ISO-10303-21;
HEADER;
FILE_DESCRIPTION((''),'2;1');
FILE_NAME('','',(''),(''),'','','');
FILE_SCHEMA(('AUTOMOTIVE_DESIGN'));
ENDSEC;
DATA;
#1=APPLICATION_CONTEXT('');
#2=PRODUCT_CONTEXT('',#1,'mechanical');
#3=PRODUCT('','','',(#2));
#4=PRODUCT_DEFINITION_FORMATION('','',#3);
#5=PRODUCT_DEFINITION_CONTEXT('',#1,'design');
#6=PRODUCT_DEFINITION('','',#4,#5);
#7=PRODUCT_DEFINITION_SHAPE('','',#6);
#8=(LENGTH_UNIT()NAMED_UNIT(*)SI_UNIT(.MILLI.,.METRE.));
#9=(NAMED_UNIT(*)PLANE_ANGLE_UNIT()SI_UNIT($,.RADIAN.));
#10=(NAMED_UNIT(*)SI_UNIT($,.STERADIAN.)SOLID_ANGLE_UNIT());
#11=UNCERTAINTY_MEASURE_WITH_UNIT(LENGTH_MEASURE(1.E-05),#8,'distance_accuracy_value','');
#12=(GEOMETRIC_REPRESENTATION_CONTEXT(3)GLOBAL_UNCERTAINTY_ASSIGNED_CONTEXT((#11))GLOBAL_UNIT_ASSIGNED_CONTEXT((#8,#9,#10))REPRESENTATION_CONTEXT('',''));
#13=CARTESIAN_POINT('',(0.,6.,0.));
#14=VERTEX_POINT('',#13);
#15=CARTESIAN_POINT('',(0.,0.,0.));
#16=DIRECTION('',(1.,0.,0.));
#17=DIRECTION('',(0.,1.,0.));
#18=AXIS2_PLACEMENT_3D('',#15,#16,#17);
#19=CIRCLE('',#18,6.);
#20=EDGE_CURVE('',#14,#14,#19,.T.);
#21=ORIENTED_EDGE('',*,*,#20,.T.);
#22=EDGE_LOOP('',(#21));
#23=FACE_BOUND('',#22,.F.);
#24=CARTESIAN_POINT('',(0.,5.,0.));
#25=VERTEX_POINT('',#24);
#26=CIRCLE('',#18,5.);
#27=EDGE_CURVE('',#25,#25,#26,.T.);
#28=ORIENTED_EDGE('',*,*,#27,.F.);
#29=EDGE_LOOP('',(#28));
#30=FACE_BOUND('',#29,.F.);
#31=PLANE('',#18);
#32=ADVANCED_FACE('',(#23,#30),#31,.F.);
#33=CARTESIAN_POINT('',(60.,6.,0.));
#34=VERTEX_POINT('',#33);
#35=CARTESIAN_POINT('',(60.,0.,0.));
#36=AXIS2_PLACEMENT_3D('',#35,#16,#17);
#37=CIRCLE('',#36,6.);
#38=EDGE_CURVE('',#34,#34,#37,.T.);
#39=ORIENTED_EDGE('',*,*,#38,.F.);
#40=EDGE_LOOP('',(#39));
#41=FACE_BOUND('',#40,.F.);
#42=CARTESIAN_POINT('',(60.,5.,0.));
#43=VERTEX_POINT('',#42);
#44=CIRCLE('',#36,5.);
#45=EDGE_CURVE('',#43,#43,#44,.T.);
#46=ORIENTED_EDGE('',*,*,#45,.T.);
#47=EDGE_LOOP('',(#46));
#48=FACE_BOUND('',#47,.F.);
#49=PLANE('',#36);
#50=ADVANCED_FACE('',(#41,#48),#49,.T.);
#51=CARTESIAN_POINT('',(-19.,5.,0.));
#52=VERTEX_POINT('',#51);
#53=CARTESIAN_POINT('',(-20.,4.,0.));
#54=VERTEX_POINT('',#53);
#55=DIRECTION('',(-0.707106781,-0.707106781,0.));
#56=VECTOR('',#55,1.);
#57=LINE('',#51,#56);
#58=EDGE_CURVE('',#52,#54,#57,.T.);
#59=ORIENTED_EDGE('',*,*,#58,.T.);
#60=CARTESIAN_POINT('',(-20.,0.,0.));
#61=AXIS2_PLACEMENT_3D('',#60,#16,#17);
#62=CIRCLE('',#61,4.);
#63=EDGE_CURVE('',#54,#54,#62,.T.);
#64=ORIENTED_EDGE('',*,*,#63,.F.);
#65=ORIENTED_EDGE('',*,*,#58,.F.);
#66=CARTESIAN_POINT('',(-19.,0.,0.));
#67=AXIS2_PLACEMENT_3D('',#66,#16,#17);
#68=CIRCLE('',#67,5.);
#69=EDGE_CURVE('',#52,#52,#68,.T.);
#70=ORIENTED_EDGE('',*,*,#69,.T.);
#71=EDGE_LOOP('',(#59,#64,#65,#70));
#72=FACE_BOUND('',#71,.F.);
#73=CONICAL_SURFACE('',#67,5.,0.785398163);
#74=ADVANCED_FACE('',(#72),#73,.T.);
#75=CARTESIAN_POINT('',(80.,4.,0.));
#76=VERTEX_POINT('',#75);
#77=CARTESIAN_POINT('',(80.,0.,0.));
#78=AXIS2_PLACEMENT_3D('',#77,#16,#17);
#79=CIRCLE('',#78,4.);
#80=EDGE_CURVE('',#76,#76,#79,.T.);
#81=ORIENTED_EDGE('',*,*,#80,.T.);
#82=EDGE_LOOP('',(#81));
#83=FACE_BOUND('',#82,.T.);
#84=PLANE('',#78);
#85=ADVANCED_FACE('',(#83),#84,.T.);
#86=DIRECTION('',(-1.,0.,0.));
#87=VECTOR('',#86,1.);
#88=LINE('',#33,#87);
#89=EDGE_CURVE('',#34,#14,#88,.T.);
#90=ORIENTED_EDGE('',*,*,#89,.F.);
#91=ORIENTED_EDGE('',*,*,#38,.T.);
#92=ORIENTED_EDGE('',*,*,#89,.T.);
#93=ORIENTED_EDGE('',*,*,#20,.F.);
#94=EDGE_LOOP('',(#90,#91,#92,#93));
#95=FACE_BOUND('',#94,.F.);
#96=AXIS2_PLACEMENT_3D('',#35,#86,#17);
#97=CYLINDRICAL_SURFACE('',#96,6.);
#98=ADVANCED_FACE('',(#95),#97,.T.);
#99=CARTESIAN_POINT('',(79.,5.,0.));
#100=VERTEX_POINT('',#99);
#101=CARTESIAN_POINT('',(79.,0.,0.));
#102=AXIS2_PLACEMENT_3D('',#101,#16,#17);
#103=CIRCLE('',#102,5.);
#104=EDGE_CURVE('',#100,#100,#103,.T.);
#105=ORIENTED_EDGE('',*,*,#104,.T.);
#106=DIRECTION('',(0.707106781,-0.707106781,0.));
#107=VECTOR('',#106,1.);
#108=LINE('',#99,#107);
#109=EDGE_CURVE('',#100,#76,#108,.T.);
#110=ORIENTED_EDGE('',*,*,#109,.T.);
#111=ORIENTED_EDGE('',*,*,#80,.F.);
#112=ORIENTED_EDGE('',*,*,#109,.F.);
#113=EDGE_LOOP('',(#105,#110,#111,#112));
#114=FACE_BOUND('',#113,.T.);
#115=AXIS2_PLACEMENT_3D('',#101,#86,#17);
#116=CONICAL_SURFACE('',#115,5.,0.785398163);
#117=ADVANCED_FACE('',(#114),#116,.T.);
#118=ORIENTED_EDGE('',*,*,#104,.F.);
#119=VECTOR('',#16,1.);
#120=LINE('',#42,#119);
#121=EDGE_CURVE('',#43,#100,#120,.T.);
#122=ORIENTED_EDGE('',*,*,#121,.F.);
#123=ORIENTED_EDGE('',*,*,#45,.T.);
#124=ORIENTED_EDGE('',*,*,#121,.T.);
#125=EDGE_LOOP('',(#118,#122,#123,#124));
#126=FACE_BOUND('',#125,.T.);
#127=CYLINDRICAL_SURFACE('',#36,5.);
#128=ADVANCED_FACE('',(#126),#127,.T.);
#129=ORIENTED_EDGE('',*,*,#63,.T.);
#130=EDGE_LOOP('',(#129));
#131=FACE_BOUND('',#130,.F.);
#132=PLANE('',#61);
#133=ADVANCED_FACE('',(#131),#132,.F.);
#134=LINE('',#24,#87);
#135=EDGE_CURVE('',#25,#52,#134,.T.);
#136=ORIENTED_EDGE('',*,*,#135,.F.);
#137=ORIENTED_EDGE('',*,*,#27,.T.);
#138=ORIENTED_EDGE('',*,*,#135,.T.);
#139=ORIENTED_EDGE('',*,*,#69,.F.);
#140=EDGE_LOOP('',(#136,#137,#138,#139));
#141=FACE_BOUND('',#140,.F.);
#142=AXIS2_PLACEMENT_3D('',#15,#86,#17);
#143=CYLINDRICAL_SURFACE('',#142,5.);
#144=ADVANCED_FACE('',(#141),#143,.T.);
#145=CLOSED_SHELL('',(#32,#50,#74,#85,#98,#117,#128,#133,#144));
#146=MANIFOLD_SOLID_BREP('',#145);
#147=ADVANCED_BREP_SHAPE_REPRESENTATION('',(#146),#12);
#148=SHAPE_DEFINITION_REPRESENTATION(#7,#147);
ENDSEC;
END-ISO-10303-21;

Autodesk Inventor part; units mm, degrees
ref_plane "YZ Plane" through (0, 0, 0) normal (1, 0, 0) x (0, 1, 0)
ref_plane "XY Plane" through (0, 0, 0) normal (0, 0, 1) x (1, 0, 0)
sketch "Sketch1" plane through (0, 0, 0) normal (0, 0, 1) x (1, 0, 0)
  line L0 (0, 0) -> (60, 0)
  line L1 (60, 0) -> (60, 6)
  line L2 (60, 6) -> (0, 6)
  line L3 (0, 6) -> (0, 0)
  line L4 (0, 0) -> (0, 5)
  line L5 (0, 5) -> (-20, 5)
  line L6 (-20, 5) -> (-20, 0)
  line L7 (-20, 0) -> (0, 0)
  line L8 (60, 5) -> (80, 5)
  line L9 (80, 5) -> (80, 0)
  line L10 (80, 0) -> (60, 0)
  dimension "d0" = 60
  dimension "d1" = 6
  dimension "d3" = 5
  dimension "d4" = 20
  dimension "d5" = 20
revolve "Revolution1" add sketch "Sketch1" angle 360 about axis through (0, 0, 0) along (1, 0, 0)
thread "Thread1" size "M12x1.75" class "6g" standard "ANSI Metric M Profile" full length
chamfer "Chamfer1" distance 1 angle 45 2 edges at (-20, -5, 0) (80, -5, 0)
ref_plane "Work Plane1" through (30, 0, 0) normal (1, 0, 0) x (0, 0, -1)
properties part number "Large Gear Shaft"
